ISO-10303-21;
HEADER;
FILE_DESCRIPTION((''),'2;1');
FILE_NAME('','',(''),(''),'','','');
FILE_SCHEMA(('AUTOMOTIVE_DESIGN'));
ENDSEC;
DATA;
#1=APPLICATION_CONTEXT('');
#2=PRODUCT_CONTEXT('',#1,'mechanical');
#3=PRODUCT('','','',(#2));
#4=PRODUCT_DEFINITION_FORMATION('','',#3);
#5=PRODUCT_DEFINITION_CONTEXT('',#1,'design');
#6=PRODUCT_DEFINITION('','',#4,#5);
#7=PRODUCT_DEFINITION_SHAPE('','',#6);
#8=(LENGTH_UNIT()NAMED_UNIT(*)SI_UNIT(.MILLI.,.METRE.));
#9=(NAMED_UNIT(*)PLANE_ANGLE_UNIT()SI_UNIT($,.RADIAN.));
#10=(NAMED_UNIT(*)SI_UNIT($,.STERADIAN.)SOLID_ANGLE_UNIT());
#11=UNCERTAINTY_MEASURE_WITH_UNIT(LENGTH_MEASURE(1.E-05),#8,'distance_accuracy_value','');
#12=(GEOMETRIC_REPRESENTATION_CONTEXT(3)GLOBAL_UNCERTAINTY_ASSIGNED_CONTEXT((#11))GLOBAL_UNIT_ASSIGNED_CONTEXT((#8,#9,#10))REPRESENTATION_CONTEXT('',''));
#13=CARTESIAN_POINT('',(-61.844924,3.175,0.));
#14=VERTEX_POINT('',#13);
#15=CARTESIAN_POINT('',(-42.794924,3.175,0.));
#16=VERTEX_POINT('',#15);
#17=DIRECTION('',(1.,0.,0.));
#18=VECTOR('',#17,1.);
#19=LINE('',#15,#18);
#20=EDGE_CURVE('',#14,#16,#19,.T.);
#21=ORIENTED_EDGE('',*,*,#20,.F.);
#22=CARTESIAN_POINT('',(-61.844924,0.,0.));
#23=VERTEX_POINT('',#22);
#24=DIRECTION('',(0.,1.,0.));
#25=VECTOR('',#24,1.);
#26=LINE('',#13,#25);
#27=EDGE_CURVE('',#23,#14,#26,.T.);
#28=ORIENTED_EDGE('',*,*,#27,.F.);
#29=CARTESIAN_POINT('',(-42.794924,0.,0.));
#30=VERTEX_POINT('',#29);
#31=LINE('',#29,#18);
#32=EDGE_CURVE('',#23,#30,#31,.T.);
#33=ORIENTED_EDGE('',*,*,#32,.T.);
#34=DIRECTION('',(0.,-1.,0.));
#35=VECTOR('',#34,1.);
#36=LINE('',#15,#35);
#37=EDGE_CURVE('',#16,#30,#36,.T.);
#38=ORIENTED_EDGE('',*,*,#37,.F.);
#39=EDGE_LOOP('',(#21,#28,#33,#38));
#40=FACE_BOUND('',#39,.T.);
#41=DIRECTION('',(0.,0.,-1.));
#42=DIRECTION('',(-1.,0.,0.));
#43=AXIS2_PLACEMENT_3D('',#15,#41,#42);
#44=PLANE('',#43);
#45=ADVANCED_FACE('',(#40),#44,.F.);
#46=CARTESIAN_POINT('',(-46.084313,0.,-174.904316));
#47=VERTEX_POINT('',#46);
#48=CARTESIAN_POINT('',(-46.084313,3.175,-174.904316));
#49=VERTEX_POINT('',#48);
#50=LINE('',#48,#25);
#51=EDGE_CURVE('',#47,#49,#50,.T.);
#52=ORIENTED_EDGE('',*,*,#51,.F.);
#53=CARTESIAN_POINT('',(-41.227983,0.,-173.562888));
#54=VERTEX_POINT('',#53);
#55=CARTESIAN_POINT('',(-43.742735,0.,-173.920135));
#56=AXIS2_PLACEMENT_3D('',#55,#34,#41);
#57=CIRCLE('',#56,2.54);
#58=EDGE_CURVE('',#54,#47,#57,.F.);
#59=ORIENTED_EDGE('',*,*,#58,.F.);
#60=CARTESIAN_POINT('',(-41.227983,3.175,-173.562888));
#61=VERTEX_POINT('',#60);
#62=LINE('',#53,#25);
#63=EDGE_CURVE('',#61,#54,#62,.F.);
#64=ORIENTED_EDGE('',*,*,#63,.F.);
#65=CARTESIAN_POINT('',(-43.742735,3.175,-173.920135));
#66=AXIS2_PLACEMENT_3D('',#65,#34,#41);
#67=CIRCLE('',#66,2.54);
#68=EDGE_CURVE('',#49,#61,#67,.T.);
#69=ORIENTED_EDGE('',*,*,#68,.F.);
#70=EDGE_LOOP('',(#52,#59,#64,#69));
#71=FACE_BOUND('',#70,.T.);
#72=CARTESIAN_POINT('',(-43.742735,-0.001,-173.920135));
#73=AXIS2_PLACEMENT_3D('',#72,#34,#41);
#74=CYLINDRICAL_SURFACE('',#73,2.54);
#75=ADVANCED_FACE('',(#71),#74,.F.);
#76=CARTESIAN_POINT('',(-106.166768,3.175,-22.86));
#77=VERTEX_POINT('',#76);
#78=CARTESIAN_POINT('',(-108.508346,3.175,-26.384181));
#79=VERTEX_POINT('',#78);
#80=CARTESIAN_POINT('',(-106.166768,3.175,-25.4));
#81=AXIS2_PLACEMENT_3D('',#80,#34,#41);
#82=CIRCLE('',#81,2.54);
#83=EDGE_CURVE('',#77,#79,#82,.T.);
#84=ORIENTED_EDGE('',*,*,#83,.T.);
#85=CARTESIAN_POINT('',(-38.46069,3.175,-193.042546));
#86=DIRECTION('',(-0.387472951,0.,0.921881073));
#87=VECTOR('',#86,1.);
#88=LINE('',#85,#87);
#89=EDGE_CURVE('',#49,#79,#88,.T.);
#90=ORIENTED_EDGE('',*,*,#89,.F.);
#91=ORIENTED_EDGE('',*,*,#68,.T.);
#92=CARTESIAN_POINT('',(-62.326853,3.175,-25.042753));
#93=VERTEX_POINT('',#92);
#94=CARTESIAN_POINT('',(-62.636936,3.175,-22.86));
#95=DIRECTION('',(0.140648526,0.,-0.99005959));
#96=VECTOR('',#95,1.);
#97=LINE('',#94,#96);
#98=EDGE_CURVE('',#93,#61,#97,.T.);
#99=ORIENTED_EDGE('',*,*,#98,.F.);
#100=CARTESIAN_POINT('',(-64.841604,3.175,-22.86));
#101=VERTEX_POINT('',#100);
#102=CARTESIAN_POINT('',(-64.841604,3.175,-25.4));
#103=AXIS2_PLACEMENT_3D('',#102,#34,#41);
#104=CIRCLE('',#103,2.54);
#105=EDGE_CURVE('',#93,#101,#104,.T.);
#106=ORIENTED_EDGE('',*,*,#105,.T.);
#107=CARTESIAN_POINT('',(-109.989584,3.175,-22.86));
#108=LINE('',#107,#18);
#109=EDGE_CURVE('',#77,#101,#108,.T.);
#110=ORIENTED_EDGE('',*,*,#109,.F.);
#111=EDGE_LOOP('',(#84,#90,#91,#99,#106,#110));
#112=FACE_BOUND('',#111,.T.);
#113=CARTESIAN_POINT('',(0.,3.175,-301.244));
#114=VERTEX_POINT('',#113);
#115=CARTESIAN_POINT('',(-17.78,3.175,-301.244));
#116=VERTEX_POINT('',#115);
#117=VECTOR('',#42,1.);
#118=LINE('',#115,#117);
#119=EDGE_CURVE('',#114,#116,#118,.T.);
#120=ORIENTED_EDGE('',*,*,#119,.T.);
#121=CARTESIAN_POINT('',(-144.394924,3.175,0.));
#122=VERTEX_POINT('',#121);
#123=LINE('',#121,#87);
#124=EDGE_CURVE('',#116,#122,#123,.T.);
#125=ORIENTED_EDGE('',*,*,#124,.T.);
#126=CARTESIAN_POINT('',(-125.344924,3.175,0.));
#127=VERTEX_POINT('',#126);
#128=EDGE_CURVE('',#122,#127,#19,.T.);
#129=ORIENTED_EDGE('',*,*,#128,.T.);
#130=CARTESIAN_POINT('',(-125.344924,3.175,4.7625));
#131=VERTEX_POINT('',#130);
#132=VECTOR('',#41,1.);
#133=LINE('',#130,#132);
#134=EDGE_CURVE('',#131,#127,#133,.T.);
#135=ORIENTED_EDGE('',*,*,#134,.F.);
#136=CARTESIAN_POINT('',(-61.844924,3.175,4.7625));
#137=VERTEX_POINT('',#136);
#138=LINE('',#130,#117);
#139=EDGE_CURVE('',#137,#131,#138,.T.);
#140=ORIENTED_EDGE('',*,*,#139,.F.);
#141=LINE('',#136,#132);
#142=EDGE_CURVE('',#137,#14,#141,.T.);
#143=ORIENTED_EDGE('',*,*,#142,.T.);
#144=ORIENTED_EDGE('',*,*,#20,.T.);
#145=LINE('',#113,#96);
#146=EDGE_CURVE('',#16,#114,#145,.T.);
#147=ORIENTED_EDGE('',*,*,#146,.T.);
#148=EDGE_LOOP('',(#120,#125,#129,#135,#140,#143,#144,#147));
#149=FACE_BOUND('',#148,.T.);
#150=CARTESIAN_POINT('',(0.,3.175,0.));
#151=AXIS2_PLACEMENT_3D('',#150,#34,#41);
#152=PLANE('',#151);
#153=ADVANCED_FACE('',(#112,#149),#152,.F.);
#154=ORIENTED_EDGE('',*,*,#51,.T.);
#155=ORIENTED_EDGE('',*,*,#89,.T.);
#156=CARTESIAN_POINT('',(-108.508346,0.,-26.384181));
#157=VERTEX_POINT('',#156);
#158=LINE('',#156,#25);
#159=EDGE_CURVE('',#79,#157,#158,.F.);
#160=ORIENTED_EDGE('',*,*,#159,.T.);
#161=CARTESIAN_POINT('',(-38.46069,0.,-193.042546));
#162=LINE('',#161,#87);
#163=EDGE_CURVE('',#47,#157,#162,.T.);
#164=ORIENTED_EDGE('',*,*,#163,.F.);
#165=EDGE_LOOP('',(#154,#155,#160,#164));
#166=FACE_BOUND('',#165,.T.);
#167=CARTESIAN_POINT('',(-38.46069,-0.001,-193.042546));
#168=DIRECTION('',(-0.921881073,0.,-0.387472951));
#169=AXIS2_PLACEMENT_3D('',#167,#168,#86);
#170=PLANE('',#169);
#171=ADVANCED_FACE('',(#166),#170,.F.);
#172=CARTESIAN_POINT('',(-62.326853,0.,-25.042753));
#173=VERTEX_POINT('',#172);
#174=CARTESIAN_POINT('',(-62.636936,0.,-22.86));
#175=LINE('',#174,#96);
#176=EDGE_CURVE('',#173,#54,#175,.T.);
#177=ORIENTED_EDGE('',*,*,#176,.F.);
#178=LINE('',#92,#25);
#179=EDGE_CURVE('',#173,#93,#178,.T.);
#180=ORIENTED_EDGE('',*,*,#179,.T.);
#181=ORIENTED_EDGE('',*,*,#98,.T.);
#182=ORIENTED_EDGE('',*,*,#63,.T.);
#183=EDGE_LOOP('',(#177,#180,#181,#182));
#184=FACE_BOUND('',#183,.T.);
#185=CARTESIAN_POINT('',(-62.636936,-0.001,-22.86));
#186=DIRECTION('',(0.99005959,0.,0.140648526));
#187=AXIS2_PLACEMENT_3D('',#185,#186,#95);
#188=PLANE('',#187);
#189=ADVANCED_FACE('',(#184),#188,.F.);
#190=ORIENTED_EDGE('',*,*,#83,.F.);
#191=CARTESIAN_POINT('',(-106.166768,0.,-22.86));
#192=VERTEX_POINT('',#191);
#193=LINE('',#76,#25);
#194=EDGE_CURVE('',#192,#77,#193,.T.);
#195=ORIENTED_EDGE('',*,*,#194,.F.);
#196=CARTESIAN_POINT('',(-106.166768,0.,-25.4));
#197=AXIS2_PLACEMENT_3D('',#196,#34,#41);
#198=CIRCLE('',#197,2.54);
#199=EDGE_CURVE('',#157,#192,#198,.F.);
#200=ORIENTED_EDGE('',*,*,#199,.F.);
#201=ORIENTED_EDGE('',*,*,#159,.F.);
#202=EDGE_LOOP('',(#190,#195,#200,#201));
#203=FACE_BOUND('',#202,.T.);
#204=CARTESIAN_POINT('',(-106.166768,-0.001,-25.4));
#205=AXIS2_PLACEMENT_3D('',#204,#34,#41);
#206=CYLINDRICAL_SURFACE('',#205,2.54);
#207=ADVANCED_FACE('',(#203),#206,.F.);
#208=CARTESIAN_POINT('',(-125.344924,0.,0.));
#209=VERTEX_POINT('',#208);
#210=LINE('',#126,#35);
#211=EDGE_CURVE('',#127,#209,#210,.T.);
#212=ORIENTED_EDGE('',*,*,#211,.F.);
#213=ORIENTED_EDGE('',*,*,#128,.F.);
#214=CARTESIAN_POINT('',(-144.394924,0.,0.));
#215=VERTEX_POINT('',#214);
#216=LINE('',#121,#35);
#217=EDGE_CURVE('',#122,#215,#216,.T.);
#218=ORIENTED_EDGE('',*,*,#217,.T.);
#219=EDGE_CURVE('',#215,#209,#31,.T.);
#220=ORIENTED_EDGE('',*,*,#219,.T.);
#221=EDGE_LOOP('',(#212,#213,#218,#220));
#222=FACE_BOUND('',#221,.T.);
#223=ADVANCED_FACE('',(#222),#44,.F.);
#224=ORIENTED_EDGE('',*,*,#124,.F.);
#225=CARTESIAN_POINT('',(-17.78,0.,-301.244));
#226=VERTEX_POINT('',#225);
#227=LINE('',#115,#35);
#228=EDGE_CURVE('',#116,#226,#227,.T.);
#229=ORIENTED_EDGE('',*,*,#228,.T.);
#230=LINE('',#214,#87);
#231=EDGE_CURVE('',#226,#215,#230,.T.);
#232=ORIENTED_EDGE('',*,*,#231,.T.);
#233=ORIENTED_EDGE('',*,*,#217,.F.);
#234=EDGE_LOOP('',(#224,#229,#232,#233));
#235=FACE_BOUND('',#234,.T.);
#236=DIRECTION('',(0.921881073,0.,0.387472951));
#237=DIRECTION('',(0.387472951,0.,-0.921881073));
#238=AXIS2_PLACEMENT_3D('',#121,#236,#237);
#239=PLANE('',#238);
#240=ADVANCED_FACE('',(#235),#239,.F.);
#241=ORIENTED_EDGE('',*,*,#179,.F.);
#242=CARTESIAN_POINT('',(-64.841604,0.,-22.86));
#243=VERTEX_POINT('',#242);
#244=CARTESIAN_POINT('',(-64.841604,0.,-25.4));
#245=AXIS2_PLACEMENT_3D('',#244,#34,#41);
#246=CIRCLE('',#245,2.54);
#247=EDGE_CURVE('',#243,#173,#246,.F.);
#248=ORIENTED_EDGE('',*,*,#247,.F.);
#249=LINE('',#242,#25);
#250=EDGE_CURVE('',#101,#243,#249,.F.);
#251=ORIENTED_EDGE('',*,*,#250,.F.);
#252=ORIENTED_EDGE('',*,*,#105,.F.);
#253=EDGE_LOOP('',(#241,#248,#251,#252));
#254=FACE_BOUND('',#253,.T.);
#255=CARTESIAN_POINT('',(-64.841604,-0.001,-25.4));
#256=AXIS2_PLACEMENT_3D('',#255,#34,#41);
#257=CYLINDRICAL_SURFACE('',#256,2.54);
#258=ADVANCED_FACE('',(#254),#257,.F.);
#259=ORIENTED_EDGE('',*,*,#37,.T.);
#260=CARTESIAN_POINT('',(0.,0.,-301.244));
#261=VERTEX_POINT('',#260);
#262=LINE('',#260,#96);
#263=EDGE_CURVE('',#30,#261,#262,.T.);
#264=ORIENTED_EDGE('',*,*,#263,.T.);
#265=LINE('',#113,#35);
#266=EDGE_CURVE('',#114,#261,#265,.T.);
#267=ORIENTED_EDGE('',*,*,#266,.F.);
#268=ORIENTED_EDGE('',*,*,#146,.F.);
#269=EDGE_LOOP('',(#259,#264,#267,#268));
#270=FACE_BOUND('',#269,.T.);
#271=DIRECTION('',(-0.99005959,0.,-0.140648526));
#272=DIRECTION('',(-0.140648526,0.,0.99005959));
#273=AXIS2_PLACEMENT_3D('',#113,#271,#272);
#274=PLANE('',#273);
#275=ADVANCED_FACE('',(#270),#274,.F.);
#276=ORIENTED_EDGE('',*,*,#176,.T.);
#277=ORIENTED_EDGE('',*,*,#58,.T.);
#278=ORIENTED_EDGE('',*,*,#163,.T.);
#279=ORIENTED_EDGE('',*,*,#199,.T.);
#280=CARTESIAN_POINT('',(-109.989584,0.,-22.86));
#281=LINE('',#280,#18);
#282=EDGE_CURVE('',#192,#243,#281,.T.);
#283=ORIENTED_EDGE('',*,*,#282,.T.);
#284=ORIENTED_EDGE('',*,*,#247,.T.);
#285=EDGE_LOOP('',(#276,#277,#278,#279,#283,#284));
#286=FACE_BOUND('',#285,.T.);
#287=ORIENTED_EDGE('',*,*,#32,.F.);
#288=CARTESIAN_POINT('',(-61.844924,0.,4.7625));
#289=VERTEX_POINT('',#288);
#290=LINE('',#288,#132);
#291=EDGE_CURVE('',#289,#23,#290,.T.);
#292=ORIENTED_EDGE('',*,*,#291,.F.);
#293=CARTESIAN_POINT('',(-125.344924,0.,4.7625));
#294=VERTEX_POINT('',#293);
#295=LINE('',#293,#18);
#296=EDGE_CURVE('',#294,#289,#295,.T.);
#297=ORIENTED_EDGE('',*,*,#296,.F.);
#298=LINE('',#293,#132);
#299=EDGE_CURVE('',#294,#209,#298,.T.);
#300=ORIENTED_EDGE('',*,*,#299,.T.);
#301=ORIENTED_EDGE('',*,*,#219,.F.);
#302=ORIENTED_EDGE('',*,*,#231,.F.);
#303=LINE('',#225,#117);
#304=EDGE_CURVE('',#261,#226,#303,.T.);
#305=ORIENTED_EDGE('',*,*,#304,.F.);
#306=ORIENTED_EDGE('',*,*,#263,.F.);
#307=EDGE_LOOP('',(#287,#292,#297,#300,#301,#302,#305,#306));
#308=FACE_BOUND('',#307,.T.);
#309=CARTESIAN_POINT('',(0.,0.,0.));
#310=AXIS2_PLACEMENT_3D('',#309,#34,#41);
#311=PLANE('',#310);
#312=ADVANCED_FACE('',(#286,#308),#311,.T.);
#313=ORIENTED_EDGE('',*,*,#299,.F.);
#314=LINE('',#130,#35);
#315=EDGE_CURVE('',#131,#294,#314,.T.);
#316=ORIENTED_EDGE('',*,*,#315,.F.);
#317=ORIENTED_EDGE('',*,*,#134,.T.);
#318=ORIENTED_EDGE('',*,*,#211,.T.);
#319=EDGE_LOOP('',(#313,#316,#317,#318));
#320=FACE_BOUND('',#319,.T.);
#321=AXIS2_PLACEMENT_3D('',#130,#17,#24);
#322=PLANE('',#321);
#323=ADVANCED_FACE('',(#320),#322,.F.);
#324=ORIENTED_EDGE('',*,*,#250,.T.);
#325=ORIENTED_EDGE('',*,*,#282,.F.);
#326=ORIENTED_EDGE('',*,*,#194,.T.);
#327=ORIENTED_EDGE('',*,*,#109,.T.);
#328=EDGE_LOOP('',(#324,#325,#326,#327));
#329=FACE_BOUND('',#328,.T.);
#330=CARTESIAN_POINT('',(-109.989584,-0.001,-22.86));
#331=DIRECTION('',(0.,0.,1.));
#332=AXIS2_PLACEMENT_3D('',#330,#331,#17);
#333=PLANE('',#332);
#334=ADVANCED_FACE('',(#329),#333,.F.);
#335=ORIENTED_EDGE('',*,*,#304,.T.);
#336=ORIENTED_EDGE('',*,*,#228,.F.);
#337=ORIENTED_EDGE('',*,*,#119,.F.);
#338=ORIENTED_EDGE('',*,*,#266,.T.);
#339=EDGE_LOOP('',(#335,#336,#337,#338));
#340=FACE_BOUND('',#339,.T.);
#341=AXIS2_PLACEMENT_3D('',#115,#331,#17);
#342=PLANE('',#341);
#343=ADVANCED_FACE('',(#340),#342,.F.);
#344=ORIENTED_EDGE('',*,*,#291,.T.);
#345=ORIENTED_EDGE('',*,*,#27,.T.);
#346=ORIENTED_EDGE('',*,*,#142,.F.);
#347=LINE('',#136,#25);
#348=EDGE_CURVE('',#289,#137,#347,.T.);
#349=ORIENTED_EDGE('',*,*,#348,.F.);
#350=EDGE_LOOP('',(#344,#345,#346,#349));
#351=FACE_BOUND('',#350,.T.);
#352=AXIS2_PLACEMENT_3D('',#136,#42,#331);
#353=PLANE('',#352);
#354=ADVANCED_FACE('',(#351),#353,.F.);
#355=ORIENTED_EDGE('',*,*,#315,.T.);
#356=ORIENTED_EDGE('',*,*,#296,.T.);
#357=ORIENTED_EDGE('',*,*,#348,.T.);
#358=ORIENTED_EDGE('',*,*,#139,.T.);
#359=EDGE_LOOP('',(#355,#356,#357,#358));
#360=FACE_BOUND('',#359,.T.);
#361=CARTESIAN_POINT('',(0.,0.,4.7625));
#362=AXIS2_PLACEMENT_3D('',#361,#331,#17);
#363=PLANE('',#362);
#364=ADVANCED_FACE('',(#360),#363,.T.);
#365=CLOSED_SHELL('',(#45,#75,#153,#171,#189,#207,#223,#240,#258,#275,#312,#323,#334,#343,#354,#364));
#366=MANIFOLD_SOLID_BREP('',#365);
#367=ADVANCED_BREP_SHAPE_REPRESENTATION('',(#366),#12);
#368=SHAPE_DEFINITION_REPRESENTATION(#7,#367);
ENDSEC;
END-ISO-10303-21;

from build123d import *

# Parameters (mm, degrees)
BOSS_EXTRUDE1_DEPTH = 3.175
CUT_EXTRUDE1_REACH  = 336.078
FILLET1_R           = 2.54
SKETCH3_W           = 63.5
SKETCH3_H           = 3.175
BOSS_EXTRUDE2_DEPTH = 4.7625


with BuildPart() as part:
    # Sketch1 → Boss-Extrude1 (new body)
    with BuildSketch(Plane(origin=(0, 0, 0), x_dir=(1, 0, 0), z_dir=(0, 1, 0))):
        Polygon((0, 301.244), (-42.794923706, 0), (-144.394923706, 0), (-17.78, 301.244), align=None)
    extrude(amount=BOSS_EXTRUDE1_DEPTH)

    # Sketch2 → Cut-Extrude1 (cut, up to next)
    with BuildSketch(Plane(origin=(0, 3.175, 0), x_dir=(1, 0, 0), z_dir=(0, 1, 0)), mode=Mode.PRIVATE) as cut_extrude1_sk1:
        Polygon((-38.460690081, 193.042545844), (-109.989583795, 22.86), (-62.636936132, 22.86), align=None)
    cut_extrude1_tool1 = extrude(cut_extrude1_sk1.sketch, amount=-CUT_EXTRUDE1_REACH, mode=Mode.PRIVATE) & part.part
    add(cut_extrude1_tool1.solids().sort_by_distance((-70.362403, 3.175, -79.587515))[0], mode=Mode.SUBTRACT)

    # Fillet1
    fillet1_edges = [part.edges().sort_by_distance(p)[0] for p in [
        (-38.460690081, 1.5875, -193.042545844),
        (-62.636936132, 1.5875, -22.86),
        (-109.989583795, 1.5875, -22.86),
    ]]
    fillet(fillet1_edges, radius=FILLET1_R)

    # Sketch3 → Boss-Extrude2 (add)
    with BuildSketch(Plane.XY):
        with Locations((-93.594923706, 1.5875)):
            Rectangle(SKETCH3_W, SKETCH3_H)
    extrude(amount=BOSS_EXTRUDE2_DEPTH)


solid = part.part
